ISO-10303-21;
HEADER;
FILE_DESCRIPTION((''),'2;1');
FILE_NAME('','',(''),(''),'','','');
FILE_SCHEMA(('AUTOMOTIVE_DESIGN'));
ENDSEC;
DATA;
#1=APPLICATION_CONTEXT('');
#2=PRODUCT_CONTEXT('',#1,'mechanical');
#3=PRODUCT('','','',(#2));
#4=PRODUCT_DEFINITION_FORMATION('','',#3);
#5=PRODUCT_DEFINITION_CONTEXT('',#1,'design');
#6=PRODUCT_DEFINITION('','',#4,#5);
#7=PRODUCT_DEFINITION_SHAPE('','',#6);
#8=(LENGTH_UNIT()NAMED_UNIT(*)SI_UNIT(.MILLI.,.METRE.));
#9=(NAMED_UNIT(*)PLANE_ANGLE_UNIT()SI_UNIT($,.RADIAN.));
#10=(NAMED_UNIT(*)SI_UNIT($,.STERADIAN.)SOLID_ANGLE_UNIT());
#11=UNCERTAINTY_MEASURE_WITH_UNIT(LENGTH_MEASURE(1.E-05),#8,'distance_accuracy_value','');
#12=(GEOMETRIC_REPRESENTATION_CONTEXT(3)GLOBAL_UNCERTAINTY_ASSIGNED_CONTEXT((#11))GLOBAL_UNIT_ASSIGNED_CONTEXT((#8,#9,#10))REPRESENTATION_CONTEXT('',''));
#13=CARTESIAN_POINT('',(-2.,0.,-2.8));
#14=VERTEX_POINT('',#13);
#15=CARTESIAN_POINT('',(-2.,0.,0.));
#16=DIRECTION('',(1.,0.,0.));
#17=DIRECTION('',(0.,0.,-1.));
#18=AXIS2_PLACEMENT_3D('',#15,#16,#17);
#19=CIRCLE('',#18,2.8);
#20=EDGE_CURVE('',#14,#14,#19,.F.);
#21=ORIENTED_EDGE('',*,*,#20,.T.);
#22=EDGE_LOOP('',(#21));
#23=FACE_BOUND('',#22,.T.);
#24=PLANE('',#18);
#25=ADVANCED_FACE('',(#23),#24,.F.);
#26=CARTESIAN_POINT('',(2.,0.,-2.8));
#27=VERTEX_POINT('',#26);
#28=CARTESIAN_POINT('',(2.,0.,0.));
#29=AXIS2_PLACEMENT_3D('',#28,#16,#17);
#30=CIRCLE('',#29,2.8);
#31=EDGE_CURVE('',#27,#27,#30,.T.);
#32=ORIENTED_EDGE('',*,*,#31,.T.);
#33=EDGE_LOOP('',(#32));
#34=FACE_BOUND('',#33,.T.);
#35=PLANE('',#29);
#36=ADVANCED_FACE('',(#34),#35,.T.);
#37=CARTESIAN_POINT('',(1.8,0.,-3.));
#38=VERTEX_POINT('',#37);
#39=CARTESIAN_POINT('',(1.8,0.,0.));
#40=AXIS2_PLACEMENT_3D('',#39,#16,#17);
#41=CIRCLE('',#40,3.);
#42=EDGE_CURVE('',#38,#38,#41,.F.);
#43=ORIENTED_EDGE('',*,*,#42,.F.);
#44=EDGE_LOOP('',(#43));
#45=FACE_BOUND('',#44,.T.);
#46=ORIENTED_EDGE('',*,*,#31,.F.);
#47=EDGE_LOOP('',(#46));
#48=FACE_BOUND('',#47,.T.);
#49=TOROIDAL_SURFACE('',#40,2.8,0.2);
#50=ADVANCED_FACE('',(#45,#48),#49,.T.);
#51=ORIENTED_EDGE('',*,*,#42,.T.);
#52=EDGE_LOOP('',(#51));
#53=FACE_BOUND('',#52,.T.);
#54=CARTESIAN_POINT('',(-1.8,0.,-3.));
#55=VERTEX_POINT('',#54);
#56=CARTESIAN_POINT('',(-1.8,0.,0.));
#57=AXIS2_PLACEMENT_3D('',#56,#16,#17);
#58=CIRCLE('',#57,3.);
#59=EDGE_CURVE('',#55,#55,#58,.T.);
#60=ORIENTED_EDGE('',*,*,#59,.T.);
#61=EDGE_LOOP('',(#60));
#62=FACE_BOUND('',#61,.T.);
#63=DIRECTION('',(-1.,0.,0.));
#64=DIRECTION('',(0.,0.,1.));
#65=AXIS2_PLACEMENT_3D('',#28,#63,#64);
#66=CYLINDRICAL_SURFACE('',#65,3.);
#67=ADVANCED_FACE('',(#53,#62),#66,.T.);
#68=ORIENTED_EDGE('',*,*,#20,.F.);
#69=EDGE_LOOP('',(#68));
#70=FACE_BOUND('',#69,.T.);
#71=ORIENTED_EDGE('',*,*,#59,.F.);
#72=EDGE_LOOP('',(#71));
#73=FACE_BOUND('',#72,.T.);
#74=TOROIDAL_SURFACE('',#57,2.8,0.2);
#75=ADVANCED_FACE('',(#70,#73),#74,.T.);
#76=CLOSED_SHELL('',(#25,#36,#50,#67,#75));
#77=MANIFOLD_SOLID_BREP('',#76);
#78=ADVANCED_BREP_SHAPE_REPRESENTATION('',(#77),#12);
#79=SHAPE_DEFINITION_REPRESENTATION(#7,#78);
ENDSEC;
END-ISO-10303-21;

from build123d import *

# Parameters (mm, degrees)
SKETCH1_R           = 3
BOSS_EXTRUDE1_DEPTH = 2
FILLET1_R           = 0.2


with BuildPart() as part:
    # Sketch1 → Boss-Extrude1 (new body, symmetric)
    with BuildSketch(Plane(origin=(0, 0, 0), x_dir=(0, 0, -1), z_dir=(1, 0, 0))):
        Circle(SKETCH1_R)
    extrude(amount=BOSS_EXTRUDE1_DEPTH, both=True)

    # Fillet1
    fillet1_edges = [part.edges().sort_by_distance(p)[0] for p in [
        (-2, 0, 3),
        (2, 0, 3),
    ]]
    fillet(fillet1_edges, radius=FILLET1_R)


solid = part.part
